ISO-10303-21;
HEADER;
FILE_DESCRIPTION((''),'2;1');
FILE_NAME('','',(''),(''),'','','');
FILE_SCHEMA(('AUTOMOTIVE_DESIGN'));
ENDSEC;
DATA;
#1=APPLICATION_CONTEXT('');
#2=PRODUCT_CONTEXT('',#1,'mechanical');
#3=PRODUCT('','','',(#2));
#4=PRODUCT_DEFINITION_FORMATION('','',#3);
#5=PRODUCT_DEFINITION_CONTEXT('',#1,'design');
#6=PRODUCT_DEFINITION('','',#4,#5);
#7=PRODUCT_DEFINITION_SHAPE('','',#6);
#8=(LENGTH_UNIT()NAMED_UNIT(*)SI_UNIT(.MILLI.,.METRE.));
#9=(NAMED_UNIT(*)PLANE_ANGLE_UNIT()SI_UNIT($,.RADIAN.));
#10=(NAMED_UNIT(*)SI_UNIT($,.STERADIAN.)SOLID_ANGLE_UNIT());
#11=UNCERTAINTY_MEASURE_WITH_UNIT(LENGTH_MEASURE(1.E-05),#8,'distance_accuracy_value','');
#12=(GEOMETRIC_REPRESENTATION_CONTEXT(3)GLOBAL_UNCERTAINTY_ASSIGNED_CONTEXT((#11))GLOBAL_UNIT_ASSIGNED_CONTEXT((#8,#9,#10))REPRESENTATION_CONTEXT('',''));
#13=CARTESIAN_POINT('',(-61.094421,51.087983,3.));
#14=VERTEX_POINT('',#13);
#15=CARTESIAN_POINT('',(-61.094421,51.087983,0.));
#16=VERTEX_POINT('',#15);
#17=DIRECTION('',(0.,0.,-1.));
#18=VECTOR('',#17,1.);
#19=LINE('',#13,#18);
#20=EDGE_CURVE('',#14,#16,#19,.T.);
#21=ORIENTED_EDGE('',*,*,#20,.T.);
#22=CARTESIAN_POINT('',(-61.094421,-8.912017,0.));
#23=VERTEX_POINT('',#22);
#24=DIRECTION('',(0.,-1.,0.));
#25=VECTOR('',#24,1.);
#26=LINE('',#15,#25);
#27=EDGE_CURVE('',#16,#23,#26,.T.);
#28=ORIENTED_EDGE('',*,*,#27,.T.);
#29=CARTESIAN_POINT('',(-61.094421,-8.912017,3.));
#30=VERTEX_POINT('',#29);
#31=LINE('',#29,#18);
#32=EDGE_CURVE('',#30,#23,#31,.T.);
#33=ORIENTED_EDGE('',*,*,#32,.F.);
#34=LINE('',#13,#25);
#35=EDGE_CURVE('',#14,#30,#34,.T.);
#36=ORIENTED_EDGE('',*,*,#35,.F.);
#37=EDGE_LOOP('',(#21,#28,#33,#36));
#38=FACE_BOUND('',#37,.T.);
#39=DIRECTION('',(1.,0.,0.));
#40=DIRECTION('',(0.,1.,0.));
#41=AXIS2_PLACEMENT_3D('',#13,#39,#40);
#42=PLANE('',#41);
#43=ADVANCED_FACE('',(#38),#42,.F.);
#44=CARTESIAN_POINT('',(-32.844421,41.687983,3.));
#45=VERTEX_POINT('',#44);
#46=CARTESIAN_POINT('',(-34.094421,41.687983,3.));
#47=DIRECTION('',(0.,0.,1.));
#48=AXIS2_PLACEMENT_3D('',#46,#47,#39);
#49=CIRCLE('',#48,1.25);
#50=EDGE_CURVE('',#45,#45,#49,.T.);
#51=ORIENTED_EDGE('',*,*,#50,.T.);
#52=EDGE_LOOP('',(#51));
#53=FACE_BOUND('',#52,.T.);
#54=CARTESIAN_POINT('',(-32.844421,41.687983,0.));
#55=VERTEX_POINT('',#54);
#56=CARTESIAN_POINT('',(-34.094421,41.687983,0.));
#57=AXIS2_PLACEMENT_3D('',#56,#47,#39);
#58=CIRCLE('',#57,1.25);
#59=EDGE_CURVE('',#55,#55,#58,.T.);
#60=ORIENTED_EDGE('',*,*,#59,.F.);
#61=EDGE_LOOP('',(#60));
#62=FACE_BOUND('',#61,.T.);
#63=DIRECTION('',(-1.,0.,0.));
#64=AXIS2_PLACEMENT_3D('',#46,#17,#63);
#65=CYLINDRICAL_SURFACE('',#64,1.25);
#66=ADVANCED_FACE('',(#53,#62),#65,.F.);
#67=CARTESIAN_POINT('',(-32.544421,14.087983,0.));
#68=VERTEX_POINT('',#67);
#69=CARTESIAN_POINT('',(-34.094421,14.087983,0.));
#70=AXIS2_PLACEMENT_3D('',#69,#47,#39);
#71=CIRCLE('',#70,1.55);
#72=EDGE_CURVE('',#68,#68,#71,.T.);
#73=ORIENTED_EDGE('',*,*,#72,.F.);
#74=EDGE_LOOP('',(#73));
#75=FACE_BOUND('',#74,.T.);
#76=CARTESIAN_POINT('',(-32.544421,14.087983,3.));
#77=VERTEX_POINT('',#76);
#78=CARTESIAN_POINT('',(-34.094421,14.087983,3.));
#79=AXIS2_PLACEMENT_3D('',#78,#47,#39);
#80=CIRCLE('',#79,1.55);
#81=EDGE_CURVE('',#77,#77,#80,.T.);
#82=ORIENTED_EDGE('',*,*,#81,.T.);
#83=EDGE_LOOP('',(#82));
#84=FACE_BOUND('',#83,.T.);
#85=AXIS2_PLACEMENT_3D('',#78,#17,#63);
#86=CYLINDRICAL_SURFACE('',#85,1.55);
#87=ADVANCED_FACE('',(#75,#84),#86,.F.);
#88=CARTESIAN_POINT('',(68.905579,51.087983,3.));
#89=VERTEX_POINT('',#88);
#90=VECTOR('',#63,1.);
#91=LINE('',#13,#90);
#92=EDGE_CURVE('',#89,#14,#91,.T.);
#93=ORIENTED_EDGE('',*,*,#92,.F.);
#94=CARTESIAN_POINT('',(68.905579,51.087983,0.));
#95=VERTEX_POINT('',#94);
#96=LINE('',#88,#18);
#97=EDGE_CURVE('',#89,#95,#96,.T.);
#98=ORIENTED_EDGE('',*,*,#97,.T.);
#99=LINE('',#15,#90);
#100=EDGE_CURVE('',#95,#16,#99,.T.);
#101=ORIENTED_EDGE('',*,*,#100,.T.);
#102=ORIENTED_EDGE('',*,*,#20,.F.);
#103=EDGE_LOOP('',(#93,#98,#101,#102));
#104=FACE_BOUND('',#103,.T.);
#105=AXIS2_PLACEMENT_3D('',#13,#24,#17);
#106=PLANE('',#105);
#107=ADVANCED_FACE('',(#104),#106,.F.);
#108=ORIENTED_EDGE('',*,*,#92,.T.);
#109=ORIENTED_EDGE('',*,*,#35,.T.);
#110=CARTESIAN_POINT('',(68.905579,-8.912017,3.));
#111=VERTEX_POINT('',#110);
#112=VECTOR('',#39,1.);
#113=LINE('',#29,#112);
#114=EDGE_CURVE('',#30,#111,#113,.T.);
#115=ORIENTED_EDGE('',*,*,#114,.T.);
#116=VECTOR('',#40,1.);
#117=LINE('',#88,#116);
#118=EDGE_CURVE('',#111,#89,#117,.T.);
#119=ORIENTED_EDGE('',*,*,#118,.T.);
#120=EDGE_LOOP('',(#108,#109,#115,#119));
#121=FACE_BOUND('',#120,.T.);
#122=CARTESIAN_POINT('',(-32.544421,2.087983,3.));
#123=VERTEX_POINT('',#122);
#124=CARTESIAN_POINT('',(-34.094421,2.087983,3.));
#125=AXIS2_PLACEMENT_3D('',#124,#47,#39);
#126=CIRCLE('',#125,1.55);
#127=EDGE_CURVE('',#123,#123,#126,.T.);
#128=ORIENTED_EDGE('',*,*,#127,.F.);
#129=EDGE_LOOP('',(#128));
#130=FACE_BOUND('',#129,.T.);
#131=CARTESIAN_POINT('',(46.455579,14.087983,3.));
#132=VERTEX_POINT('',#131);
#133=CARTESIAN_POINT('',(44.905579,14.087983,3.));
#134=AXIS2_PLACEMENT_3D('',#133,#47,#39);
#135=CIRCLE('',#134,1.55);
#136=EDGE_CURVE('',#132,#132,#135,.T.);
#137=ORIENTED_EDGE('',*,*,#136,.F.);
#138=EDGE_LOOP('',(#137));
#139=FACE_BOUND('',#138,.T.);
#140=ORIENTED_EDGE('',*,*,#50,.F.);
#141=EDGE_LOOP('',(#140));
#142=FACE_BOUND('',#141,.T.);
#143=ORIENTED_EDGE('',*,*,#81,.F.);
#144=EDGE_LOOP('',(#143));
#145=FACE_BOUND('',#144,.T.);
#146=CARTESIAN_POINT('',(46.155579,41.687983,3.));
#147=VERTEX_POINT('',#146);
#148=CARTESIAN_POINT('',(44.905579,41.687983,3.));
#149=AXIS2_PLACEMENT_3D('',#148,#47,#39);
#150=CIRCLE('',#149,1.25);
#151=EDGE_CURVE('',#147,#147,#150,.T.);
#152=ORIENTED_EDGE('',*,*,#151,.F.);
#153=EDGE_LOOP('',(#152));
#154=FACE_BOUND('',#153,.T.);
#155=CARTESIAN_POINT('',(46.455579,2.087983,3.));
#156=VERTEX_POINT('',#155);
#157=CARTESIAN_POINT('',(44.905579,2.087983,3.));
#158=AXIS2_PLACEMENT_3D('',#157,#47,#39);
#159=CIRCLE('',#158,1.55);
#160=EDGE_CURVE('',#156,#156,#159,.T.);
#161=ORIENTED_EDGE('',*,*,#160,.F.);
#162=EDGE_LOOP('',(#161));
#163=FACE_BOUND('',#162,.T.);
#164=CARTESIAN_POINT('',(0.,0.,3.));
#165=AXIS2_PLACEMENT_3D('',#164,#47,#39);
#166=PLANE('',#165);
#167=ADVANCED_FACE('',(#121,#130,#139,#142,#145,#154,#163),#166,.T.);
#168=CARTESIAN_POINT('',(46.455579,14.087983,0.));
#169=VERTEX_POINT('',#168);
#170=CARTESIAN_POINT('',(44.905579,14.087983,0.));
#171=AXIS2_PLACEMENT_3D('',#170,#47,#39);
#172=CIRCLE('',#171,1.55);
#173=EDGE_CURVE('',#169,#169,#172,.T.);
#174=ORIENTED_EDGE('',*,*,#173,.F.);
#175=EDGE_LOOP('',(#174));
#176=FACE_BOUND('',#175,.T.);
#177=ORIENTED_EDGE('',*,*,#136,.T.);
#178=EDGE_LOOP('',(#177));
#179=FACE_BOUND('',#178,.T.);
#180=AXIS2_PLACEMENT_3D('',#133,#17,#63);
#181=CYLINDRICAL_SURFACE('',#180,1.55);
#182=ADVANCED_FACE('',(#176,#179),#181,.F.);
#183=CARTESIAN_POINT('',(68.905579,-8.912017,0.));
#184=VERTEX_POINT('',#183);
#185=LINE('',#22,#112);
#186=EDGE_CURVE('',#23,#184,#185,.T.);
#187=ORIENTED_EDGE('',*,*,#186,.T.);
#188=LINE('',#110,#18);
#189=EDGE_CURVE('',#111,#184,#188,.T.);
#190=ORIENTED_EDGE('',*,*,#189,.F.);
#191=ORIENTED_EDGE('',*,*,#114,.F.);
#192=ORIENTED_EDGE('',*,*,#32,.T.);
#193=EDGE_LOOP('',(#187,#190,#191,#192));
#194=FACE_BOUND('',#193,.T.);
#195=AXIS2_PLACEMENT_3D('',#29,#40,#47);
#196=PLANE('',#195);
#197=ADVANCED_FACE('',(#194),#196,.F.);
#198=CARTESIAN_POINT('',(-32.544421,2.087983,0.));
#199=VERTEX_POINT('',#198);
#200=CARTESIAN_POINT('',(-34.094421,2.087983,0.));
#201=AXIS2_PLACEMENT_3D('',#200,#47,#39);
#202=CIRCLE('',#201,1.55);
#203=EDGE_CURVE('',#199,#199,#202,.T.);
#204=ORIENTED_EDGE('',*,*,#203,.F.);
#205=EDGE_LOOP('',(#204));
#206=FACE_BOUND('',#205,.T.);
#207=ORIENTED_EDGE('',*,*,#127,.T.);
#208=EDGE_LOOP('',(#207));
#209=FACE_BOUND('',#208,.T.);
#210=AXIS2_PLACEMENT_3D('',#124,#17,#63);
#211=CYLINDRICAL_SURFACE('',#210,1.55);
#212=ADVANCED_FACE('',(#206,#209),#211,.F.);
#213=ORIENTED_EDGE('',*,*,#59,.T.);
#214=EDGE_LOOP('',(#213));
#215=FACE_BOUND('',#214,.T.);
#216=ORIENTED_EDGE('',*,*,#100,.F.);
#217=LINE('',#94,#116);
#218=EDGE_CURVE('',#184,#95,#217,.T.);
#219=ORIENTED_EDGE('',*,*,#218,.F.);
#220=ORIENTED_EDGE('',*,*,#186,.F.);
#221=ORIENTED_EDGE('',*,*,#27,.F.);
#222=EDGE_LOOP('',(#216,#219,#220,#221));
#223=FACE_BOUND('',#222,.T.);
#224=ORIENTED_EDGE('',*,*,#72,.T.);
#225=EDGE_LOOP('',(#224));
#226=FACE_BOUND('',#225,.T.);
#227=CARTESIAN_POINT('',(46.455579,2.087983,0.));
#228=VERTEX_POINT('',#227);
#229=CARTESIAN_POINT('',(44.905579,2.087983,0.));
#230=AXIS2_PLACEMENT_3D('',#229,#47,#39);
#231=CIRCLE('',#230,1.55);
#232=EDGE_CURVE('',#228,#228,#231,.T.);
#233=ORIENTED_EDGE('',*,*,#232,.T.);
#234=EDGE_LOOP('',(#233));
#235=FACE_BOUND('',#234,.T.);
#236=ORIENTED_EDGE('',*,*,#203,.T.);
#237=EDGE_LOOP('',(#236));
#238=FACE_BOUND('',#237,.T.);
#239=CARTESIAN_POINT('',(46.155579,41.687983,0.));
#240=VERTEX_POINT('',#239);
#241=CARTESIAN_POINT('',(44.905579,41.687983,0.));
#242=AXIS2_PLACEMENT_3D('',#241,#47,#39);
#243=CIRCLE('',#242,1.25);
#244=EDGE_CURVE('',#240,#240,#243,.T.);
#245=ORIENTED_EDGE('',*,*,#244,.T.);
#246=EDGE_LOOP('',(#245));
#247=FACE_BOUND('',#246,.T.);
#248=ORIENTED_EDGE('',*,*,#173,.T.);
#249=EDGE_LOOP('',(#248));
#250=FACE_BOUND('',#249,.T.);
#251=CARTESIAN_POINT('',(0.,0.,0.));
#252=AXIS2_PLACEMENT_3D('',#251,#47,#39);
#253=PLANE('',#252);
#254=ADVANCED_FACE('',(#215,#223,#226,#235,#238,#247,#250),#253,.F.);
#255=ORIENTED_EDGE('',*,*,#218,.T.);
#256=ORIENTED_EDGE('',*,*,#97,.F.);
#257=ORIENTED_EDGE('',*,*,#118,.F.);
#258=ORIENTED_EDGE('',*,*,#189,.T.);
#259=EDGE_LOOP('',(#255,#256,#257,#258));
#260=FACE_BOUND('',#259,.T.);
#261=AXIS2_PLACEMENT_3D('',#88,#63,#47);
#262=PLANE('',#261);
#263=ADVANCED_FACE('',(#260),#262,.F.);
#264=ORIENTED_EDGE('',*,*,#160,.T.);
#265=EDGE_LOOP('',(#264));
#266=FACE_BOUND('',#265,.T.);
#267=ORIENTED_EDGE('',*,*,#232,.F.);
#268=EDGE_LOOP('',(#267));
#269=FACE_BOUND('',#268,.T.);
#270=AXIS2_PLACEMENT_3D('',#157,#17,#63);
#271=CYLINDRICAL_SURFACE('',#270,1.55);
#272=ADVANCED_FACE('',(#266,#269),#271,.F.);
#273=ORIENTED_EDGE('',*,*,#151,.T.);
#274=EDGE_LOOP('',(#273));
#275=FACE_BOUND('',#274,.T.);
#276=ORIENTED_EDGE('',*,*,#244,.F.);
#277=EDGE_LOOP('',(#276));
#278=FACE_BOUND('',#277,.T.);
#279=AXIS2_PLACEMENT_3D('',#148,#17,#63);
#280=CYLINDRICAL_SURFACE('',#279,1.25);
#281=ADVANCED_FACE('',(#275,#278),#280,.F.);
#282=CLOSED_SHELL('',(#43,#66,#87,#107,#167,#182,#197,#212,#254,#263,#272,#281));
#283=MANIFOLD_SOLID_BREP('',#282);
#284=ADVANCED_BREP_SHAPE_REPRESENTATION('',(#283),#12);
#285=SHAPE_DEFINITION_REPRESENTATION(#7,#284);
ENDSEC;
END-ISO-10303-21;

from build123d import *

# Parameters (mm, degrees)
SKETCH1_W           = 130
SKETCH1_H           = 60
SKETCH1_R           = 1.55
SKETCH1_R_2         = 1.25
BOSS_EXTRUDE1_DEPTH = 3


with BuildPart() as part:
    # Sketch1 → Boss-Extrude1 (new body)
    with BuildSketch(Plane.XY):
        with Locations((3.905579399, 21.087982833)):
            Rectangle(SKETCH1_W, SKETCH1_H)
        with Locations((-34.094420601, 14.087982833)):
            Circle(SKETCH1_R, mode=Mode.SUBTRACT)
        with Locations((-34.094420601, 2.087982833)):
            Circle(SKETCH1_R, mode=Mode.SUBTRACT)
        with Locations((44.905579399, 2.087982833)):
            Circle(SKETCH1_R, mode=Mode.SUBTRACT)
        with Locations((44.905579399, 14.087982833)):
            Circle(SKETCH1_R, mode=Mode.SUBTRACT)
        with Locations((-34.094420601, 41.687982833)):
            Circle(SKETCH1_R_2, mode=Mode.SUBTRACT)
        with Locations((44.905579399, 41.687982833)):
            Circle(SKETCH1_R_2, mode=Mode.SUBTRACT)
    extrude(amount=BOSS_EXTRUDE1_DEPTH)


solid = part.part
